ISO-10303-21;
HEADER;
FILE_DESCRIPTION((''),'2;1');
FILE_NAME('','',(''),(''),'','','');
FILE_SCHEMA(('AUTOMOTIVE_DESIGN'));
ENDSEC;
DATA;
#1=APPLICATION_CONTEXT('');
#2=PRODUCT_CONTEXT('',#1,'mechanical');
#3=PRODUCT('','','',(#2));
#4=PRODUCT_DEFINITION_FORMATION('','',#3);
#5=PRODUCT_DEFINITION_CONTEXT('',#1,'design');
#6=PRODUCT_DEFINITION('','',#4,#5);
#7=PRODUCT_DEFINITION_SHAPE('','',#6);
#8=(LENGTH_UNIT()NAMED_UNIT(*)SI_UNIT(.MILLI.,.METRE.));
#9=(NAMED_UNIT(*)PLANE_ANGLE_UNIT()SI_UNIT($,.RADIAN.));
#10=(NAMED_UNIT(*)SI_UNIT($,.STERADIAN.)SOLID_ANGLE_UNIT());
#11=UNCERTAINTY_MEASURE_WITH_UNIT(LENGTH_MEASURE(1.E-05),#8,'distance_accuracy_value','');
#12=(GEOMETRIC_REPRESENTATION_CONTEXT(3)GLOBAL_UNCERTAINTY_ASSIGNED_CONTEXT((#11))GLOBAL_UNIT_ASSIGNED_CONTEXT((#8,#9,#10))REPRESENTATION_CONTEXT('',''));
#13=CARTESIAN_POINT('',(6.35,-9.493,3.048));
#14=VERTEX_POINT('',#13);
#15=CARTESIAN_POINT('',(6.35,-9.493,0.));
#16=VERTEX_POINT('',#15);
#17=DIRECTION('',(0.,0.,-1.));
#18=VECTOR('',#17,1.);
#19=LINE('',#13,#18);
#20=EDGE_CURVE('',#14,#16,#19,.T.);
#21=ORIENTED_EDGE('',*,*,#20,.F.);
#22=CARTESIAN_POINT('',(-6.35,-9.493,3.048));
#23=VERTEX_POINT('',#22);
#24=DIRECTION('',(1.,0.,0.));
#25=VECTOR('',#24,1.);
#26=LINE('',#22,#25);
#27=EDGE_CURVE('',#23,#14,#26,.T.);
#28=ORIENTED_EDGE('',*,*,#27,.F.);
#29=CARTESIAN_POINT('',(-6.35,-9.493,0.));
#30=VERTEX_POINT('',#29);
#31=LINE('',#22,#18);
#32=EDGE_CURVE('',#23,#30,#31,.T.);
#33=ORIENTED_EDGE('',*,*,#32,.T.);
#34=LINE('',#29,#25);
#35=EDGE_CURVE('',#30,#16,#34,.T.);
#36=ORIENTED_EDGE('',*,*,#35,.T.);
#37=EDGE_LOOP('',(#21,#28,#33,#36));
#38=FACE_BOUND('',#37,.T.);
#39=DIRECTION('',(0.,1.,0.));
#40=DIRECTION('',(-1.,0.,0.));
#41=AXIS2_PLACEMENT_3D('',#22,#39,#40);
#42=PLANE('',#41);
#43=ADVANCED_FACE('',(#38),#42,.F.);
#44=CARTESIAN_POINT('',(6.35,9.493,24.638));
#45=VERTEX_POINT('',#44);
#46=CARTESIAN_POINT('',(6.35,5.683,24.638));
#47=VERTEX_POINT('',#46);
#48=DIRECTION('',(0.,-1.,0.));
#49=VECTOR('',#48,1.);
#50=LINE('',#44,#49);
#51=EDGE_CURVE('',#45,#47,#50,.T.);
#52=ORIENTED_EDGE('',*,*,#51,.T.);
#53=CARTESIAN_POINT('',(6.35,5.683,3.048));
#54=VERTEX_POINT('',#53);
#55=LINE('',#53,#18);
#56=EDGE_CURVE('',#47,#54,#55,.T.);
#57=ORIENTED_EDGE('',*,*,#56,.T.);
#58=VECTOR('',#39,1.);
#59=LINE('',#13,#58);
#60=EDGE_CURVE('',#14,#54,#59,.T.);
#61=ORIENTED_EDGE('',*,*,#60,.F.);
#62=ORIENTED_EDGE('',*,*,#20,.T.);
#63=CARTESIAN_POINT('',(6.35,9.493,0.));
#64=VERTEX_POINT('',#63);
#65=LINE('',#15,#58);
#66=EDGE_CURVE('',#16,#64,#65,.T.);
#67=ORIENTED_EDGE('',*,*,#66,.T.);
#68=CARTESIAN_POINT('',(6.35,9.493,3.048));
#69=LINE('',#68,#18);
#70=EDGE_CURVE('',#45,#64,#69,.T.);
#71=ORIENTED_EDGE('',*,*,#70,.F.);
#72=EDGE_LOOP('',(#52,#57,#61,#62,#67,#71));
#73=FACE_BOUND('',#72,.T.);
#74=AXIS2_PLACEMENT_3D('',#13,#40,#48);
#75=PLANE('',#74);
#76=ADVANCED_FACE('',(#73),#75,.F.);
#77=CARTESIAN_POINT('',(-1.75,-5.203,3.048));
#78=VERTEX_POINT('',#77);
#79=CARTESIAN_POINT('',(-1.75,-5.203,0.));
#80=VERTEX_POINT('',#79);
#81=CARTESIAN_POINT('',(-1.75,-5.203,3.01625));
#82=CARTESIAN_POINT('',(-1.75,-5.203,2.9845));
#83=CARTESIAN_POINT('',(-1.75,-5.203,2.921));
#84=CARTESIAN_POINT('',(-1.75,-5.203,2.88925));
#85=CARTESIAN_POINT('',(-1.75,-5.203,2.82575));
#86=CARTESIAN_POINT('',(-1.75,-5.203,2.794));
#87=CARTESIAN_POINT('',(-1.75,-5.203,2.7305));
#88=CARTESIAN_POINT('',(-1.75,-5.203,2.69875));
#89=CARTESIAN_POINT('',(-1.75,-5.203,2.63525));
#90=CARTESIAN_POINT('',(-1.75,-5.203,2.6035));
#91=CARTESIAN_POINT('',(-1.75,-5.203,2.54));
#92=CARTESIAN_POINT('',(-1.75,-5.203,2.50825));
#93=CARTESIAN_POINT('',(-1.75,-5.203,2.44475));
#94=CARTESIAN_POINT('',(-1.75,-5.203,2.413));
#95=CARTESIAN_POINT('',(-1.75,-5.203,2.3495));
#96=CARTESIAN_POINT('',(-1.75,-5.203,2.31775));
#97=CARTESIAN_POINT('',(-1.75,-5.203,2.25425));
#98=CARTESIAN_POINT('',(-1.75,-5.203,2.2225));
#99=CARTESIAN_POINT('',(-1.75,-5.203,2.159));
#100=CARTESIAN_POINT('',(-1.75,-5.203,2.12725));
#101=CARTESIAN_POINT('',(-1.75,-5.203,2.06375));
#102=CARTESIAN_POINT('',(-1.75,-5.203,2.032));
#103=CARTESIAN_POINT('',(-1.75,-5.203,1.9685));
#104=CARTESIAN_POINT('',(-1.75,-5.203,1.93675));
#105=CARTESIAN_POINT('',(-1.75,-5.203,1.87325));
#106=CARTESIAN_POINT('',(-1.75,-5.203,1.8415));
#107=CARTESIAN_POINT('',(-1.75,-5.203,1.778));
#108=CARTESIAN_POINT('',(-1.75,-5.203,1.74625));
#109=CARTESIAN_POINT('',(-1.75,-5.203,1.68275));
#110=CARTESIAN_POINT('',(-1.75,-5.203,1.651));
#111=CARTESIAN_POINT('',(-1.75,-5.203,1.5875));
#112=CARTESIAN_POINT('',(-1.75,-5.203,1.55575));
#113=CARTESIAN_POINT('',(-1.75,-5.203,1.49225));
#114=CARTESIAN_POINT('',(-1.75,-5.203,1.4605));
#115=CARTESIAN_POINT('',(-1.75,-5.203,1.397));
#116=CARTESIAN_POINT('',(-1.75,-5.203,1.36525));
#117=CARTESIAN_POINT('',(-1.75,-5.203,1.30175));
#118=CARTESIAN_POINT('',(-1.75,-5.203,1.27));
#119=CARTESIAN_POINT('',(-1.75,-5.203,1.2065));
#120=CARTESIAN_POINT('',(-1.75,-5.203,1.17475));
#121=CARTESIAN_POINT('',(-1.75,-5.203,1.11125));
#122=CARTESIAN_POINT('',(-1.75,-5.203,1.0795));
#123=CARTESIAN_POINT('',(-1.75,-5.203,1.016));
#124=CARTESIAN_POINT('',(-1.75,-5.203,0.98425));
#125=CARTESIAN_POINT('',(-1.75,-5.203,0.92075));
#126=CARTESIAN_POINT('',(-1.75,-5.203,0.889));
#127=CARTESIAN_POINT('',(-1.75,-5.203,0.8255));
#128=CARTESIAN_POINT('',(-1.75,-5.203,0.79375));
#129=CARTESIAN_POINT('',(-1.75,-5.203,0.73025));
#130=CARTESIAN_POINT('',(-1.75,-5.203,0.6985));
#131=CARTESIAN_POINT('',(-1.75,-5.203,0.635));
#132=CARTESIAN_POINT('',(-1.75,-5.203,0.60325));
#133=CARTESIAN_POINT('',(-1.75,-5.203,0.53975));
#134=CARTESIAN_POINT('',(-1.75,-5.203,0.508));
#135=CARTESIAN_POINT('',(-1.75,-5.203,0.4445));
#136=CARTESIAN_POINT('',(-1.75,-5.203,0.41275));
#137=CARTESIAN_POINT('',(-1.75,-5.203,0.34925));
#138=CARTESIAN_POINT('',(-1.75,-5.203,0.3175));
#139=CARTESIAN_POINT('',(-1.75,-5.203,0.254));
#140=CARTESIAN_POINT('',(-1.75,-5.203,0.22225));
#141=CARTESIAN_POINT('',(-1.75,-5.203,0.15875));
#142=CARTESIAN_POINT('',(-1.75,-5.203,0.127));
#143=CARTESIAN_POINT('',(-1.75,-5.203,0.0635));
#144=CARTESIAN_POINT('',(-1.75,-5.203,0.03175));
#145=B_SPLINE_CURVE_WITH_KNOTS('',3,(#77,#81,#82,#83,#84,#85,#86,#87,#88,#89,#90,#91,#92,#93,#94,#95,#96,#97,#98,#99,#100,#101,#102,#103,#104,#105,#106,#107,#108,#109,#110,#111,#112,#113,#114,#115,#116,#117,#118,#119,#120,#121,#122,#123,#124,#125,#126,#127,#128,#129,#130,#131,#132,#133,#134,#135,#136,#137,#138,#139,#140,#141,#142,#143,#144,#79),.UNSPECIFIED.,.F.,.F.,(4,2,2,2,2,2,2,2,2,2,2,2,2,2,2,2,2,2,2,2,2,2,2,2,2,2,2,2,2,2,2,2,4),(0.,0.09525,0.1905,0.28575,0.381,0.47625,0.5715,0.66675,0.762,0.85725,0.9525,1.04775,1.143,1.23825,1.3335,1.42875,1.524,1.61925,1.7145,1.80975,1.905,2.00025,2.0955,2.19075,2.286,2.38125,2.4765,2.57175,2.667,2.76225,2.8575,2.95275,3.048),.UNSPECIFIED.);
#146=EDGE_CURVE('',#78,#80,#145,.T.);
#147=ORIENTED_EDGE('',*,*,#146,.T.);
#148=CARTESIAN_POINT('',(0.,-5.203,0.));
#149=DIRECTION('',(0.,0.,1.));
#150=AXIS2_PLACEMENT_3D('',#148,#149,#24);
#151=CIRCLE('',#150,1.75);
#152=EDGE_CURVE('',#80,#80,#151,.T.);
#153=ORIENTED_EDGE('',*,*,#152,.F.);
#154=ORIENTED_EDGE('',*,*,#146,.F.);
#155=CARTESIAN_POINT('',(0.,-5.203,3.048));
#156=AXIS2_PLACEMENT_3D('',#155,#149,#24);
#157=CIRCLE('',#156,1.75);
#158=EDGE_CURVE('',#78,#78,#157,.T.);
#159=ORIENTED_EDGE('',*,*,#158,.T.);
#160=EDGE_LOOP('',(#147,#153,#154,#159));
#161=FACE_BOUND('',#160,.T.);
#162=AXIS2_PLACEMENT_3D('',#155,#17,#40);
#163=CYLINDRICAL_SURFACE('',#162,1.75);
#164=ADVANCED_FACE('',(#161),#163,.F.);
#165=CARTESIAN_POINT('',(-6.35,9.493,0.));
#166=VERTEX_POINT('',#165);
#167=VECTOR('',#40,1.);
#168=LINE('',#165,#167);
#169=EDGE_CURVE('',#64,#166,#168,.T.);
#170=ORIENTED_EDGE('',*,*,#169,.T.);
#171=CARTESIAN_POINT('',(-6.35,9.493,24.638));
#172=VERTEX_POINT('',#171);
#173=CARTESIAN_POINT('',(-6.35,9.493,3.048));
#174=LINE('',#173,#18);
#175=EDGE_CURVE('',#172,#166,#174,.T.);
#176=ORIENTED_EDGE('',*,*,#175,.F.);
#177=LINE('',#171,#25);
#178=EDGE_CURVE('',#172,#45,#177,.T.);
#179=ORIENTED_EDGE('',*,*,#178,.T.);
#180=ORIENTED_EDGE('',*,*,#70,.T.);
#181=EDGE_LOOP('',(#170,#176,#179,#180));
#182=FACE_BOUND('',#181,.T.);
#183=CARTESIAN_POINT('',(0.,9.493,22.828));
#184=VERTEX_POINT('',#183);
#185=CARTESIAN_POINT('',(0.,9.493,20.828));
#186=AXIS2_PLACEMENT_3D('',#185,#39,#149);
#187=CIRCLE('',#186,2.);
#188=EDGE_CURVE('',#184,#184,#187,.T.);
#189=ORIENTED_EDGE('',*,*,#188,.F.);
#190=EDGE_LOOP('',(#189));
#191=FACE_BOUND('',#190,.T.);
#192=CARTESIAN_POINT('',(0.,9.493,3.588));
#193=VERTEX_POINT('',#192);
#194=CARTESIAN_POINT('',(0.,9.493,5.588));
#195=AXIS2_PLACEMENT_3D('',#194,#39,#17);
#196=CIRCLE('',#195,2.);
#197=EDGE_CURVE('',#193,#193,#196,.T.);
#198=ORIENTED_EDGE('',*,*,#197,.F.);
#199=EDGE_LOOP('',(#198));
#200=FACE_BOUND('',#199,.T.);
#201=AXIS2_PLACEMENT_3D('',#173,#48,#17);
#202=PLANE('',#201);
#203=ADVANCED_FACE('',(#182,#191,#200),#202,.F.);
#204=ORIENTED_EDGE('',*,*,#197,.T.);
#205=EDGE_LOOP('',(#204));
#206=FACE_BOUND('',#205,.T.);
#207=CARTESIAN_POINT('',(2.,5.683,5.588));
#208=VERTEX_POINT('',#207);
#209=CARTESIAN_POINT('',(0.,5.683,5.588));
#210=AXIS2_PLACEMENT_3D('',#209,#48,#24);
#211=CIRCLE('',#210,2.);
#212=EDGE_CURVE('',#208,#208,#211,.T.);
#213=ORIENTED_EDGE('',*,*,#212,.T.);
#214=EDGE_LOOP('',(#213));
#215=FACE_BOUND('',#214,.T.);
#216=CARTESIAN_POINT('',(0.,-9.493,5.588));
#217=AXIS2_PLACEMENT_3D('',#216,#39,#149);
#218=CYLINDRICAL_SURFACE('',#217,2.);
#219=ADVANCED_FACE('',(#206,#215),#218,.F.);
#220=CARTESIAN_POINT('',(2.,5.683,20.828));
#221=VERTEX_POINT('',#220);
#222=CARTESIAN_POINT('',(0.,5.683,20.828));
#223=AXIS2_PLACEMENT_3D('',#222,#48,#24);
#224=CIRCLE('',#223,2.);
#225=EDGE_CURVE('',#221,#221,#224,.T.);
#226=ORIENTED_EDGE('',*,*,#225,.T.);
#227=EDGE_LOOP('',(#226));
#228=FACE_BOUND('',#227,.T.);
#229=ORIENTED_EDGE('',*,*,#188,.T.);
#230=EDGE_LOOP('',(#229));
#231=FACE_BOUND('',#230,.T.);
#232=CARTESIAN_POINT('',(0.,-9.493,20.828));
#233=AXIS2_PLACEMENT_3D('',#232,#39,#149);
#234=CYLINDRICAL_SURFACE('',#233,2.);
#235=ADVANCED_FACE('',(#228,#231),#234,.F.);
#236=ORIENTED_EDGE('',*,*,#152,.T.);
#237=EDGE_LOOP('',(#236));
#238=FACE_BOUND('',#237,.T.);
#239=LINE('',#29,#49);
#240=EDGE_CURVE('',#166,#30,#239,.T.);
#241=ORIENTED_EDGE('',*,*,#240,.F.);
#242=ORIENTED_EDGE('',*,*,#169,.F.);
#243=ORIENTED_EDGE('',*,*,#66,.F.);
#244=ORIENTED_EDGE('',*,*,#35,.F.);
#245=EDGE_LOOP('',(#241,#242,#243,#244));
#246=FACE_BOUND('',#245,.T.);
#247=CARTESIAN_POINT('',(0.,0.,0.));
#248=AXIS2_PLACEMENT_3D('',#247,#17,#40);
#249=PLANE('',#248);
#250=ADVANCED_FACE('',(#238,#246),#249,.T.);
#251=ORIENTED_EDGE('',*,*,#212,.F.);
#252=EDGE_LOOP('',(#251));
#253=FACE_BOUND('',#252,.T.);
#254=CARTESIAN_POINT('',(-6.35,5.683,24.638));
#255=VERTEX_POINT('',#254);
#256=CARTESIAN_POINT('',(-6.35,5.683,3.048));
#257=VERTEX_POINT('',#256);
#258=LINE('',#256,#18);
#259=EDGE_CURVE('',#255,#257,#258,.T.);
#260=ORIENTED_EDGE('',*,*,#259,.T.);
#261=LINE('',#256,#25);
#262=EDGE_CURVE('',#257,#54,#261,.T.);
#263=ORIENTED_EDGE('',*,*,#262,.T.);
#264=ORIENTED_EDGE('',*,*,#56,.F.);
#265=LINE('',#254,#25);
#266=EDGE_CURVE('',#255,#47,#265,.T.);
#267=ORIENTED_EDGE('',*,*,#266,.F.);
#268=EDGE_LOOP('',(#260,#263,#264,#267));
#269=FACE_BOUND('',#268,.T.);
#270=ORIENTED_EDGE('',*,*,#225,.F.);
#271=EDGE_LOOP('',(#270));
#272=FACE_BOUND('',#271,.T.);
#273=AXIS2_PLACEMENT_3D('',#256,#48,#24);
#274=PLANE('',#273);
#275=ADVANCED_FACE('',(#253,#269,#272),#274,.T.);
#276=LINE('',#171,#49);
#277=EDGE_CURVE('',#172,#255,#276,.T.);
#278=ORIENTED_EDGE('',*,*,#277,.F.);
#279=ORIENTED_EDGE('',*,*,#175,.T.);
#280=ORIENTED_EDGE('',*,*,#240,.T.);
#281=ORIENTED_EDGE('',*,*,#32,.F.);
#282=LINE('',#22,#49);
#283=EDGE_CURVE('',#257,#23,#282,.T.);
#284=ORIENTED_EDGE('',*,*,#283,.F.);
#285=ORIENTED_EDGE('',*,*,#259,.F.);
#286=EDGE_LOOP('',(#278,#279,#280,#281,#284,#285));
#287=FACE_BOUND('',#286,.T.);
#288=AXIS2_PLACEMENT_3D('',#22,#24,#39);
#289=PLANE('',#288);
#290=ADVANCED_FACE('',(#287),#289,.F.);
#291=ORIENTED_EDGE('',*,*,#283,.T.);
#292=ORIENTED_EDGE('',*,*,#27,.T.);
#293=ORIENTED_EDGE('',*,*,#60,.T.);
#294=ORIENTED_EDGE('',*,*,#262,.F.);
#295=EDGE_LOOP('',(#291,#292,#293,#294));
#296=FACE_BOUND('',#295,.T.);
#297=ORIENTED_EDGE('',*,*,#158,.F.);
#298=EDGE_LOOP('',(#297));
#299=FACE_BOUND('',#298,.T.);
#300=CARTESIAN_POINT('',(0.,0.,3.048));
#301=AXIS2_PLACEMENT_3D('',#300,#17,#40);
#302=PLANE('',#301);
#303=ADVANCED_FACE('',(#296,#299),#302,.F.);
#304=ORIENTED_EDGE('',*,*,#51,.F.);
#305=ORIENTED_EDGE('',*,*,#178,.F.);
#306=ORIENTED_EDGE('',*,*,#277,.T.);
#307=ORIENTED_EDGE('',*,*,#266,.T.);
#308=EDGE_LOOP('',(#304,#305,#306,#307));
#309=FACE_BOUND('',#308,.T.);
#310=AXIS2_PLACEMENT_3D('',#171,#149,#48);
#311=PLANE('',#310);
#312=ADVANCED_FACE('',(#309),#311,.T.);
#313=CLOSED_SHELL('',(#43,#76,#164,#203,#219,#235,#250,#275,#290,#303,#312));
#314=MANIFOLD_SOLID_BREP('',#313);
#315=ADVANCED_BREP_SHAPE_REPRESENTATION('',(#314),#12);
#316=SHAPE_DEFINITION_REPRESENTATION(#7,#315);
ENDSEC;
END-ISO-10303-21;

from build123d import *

# Parameters (mm, degrees)
SKETCH1_W           = 12.7
SKETCH1_H           = 18.986000128
SKETCH1_R           = 1.75
BOSS_EXTRUDE1_DEPTH = 3.048
SKETCH3_W           = 21.59
SKETCH3_H           = 3.81
BOSS_EXTRUDE2_DEPTH = 12.7
SKETCH4_R           = 2
CUT_EXTRUDE1_DEPTH  = 32.746208354


with BuildPart() as part:
    # Sketch1 → Boss-Extrude1 (new body)
    with BuildSketch(Plane.XY):
        Rectangle(SKETCH1_W, SKETCH1_H)
        with Locations(Location((0, -5.203000064, 0), (0, 0, 180))):
            Circle(SKETCH1_R, mode=Mode.SUBTRACT)
    extrude(amount=BOSS_EXTRUDE1_DEPTH)

    # Sketch3 → Boss-Extrude2 (add, through all)
    with BuildSketch(Plane(origin=(6.35, 0, 0), x_dir=(0, 0, -1), z_dir=(1, 0, 0))):
        with Locations((-13.843, 7.588000064)):
            Rectangle(SKETCH3_W, SKETCH3_H)
    extrude(amount=-BOSS_EXTRUDE2_DEPTH)

    # Sketch4 → Cut-Extrude1 (cut, through all)
    with BuildSketch(Plane(origin=(0, 9.493000064, 0), x_dir=(1, 0, 0), z_dir=(0, 1, 0))):
        with Locations(Location((0, -20.828, 0), (0, 0, 270))):
            Circle(SKETCH4_R)
        with Locations((0, -5.588)):
            Circle(SKETCH4_R)
    extrude(amount=-CUT_EXTRUDE1_DEPTH, mode=Mode.SUBTRACT)


solid = part.part
